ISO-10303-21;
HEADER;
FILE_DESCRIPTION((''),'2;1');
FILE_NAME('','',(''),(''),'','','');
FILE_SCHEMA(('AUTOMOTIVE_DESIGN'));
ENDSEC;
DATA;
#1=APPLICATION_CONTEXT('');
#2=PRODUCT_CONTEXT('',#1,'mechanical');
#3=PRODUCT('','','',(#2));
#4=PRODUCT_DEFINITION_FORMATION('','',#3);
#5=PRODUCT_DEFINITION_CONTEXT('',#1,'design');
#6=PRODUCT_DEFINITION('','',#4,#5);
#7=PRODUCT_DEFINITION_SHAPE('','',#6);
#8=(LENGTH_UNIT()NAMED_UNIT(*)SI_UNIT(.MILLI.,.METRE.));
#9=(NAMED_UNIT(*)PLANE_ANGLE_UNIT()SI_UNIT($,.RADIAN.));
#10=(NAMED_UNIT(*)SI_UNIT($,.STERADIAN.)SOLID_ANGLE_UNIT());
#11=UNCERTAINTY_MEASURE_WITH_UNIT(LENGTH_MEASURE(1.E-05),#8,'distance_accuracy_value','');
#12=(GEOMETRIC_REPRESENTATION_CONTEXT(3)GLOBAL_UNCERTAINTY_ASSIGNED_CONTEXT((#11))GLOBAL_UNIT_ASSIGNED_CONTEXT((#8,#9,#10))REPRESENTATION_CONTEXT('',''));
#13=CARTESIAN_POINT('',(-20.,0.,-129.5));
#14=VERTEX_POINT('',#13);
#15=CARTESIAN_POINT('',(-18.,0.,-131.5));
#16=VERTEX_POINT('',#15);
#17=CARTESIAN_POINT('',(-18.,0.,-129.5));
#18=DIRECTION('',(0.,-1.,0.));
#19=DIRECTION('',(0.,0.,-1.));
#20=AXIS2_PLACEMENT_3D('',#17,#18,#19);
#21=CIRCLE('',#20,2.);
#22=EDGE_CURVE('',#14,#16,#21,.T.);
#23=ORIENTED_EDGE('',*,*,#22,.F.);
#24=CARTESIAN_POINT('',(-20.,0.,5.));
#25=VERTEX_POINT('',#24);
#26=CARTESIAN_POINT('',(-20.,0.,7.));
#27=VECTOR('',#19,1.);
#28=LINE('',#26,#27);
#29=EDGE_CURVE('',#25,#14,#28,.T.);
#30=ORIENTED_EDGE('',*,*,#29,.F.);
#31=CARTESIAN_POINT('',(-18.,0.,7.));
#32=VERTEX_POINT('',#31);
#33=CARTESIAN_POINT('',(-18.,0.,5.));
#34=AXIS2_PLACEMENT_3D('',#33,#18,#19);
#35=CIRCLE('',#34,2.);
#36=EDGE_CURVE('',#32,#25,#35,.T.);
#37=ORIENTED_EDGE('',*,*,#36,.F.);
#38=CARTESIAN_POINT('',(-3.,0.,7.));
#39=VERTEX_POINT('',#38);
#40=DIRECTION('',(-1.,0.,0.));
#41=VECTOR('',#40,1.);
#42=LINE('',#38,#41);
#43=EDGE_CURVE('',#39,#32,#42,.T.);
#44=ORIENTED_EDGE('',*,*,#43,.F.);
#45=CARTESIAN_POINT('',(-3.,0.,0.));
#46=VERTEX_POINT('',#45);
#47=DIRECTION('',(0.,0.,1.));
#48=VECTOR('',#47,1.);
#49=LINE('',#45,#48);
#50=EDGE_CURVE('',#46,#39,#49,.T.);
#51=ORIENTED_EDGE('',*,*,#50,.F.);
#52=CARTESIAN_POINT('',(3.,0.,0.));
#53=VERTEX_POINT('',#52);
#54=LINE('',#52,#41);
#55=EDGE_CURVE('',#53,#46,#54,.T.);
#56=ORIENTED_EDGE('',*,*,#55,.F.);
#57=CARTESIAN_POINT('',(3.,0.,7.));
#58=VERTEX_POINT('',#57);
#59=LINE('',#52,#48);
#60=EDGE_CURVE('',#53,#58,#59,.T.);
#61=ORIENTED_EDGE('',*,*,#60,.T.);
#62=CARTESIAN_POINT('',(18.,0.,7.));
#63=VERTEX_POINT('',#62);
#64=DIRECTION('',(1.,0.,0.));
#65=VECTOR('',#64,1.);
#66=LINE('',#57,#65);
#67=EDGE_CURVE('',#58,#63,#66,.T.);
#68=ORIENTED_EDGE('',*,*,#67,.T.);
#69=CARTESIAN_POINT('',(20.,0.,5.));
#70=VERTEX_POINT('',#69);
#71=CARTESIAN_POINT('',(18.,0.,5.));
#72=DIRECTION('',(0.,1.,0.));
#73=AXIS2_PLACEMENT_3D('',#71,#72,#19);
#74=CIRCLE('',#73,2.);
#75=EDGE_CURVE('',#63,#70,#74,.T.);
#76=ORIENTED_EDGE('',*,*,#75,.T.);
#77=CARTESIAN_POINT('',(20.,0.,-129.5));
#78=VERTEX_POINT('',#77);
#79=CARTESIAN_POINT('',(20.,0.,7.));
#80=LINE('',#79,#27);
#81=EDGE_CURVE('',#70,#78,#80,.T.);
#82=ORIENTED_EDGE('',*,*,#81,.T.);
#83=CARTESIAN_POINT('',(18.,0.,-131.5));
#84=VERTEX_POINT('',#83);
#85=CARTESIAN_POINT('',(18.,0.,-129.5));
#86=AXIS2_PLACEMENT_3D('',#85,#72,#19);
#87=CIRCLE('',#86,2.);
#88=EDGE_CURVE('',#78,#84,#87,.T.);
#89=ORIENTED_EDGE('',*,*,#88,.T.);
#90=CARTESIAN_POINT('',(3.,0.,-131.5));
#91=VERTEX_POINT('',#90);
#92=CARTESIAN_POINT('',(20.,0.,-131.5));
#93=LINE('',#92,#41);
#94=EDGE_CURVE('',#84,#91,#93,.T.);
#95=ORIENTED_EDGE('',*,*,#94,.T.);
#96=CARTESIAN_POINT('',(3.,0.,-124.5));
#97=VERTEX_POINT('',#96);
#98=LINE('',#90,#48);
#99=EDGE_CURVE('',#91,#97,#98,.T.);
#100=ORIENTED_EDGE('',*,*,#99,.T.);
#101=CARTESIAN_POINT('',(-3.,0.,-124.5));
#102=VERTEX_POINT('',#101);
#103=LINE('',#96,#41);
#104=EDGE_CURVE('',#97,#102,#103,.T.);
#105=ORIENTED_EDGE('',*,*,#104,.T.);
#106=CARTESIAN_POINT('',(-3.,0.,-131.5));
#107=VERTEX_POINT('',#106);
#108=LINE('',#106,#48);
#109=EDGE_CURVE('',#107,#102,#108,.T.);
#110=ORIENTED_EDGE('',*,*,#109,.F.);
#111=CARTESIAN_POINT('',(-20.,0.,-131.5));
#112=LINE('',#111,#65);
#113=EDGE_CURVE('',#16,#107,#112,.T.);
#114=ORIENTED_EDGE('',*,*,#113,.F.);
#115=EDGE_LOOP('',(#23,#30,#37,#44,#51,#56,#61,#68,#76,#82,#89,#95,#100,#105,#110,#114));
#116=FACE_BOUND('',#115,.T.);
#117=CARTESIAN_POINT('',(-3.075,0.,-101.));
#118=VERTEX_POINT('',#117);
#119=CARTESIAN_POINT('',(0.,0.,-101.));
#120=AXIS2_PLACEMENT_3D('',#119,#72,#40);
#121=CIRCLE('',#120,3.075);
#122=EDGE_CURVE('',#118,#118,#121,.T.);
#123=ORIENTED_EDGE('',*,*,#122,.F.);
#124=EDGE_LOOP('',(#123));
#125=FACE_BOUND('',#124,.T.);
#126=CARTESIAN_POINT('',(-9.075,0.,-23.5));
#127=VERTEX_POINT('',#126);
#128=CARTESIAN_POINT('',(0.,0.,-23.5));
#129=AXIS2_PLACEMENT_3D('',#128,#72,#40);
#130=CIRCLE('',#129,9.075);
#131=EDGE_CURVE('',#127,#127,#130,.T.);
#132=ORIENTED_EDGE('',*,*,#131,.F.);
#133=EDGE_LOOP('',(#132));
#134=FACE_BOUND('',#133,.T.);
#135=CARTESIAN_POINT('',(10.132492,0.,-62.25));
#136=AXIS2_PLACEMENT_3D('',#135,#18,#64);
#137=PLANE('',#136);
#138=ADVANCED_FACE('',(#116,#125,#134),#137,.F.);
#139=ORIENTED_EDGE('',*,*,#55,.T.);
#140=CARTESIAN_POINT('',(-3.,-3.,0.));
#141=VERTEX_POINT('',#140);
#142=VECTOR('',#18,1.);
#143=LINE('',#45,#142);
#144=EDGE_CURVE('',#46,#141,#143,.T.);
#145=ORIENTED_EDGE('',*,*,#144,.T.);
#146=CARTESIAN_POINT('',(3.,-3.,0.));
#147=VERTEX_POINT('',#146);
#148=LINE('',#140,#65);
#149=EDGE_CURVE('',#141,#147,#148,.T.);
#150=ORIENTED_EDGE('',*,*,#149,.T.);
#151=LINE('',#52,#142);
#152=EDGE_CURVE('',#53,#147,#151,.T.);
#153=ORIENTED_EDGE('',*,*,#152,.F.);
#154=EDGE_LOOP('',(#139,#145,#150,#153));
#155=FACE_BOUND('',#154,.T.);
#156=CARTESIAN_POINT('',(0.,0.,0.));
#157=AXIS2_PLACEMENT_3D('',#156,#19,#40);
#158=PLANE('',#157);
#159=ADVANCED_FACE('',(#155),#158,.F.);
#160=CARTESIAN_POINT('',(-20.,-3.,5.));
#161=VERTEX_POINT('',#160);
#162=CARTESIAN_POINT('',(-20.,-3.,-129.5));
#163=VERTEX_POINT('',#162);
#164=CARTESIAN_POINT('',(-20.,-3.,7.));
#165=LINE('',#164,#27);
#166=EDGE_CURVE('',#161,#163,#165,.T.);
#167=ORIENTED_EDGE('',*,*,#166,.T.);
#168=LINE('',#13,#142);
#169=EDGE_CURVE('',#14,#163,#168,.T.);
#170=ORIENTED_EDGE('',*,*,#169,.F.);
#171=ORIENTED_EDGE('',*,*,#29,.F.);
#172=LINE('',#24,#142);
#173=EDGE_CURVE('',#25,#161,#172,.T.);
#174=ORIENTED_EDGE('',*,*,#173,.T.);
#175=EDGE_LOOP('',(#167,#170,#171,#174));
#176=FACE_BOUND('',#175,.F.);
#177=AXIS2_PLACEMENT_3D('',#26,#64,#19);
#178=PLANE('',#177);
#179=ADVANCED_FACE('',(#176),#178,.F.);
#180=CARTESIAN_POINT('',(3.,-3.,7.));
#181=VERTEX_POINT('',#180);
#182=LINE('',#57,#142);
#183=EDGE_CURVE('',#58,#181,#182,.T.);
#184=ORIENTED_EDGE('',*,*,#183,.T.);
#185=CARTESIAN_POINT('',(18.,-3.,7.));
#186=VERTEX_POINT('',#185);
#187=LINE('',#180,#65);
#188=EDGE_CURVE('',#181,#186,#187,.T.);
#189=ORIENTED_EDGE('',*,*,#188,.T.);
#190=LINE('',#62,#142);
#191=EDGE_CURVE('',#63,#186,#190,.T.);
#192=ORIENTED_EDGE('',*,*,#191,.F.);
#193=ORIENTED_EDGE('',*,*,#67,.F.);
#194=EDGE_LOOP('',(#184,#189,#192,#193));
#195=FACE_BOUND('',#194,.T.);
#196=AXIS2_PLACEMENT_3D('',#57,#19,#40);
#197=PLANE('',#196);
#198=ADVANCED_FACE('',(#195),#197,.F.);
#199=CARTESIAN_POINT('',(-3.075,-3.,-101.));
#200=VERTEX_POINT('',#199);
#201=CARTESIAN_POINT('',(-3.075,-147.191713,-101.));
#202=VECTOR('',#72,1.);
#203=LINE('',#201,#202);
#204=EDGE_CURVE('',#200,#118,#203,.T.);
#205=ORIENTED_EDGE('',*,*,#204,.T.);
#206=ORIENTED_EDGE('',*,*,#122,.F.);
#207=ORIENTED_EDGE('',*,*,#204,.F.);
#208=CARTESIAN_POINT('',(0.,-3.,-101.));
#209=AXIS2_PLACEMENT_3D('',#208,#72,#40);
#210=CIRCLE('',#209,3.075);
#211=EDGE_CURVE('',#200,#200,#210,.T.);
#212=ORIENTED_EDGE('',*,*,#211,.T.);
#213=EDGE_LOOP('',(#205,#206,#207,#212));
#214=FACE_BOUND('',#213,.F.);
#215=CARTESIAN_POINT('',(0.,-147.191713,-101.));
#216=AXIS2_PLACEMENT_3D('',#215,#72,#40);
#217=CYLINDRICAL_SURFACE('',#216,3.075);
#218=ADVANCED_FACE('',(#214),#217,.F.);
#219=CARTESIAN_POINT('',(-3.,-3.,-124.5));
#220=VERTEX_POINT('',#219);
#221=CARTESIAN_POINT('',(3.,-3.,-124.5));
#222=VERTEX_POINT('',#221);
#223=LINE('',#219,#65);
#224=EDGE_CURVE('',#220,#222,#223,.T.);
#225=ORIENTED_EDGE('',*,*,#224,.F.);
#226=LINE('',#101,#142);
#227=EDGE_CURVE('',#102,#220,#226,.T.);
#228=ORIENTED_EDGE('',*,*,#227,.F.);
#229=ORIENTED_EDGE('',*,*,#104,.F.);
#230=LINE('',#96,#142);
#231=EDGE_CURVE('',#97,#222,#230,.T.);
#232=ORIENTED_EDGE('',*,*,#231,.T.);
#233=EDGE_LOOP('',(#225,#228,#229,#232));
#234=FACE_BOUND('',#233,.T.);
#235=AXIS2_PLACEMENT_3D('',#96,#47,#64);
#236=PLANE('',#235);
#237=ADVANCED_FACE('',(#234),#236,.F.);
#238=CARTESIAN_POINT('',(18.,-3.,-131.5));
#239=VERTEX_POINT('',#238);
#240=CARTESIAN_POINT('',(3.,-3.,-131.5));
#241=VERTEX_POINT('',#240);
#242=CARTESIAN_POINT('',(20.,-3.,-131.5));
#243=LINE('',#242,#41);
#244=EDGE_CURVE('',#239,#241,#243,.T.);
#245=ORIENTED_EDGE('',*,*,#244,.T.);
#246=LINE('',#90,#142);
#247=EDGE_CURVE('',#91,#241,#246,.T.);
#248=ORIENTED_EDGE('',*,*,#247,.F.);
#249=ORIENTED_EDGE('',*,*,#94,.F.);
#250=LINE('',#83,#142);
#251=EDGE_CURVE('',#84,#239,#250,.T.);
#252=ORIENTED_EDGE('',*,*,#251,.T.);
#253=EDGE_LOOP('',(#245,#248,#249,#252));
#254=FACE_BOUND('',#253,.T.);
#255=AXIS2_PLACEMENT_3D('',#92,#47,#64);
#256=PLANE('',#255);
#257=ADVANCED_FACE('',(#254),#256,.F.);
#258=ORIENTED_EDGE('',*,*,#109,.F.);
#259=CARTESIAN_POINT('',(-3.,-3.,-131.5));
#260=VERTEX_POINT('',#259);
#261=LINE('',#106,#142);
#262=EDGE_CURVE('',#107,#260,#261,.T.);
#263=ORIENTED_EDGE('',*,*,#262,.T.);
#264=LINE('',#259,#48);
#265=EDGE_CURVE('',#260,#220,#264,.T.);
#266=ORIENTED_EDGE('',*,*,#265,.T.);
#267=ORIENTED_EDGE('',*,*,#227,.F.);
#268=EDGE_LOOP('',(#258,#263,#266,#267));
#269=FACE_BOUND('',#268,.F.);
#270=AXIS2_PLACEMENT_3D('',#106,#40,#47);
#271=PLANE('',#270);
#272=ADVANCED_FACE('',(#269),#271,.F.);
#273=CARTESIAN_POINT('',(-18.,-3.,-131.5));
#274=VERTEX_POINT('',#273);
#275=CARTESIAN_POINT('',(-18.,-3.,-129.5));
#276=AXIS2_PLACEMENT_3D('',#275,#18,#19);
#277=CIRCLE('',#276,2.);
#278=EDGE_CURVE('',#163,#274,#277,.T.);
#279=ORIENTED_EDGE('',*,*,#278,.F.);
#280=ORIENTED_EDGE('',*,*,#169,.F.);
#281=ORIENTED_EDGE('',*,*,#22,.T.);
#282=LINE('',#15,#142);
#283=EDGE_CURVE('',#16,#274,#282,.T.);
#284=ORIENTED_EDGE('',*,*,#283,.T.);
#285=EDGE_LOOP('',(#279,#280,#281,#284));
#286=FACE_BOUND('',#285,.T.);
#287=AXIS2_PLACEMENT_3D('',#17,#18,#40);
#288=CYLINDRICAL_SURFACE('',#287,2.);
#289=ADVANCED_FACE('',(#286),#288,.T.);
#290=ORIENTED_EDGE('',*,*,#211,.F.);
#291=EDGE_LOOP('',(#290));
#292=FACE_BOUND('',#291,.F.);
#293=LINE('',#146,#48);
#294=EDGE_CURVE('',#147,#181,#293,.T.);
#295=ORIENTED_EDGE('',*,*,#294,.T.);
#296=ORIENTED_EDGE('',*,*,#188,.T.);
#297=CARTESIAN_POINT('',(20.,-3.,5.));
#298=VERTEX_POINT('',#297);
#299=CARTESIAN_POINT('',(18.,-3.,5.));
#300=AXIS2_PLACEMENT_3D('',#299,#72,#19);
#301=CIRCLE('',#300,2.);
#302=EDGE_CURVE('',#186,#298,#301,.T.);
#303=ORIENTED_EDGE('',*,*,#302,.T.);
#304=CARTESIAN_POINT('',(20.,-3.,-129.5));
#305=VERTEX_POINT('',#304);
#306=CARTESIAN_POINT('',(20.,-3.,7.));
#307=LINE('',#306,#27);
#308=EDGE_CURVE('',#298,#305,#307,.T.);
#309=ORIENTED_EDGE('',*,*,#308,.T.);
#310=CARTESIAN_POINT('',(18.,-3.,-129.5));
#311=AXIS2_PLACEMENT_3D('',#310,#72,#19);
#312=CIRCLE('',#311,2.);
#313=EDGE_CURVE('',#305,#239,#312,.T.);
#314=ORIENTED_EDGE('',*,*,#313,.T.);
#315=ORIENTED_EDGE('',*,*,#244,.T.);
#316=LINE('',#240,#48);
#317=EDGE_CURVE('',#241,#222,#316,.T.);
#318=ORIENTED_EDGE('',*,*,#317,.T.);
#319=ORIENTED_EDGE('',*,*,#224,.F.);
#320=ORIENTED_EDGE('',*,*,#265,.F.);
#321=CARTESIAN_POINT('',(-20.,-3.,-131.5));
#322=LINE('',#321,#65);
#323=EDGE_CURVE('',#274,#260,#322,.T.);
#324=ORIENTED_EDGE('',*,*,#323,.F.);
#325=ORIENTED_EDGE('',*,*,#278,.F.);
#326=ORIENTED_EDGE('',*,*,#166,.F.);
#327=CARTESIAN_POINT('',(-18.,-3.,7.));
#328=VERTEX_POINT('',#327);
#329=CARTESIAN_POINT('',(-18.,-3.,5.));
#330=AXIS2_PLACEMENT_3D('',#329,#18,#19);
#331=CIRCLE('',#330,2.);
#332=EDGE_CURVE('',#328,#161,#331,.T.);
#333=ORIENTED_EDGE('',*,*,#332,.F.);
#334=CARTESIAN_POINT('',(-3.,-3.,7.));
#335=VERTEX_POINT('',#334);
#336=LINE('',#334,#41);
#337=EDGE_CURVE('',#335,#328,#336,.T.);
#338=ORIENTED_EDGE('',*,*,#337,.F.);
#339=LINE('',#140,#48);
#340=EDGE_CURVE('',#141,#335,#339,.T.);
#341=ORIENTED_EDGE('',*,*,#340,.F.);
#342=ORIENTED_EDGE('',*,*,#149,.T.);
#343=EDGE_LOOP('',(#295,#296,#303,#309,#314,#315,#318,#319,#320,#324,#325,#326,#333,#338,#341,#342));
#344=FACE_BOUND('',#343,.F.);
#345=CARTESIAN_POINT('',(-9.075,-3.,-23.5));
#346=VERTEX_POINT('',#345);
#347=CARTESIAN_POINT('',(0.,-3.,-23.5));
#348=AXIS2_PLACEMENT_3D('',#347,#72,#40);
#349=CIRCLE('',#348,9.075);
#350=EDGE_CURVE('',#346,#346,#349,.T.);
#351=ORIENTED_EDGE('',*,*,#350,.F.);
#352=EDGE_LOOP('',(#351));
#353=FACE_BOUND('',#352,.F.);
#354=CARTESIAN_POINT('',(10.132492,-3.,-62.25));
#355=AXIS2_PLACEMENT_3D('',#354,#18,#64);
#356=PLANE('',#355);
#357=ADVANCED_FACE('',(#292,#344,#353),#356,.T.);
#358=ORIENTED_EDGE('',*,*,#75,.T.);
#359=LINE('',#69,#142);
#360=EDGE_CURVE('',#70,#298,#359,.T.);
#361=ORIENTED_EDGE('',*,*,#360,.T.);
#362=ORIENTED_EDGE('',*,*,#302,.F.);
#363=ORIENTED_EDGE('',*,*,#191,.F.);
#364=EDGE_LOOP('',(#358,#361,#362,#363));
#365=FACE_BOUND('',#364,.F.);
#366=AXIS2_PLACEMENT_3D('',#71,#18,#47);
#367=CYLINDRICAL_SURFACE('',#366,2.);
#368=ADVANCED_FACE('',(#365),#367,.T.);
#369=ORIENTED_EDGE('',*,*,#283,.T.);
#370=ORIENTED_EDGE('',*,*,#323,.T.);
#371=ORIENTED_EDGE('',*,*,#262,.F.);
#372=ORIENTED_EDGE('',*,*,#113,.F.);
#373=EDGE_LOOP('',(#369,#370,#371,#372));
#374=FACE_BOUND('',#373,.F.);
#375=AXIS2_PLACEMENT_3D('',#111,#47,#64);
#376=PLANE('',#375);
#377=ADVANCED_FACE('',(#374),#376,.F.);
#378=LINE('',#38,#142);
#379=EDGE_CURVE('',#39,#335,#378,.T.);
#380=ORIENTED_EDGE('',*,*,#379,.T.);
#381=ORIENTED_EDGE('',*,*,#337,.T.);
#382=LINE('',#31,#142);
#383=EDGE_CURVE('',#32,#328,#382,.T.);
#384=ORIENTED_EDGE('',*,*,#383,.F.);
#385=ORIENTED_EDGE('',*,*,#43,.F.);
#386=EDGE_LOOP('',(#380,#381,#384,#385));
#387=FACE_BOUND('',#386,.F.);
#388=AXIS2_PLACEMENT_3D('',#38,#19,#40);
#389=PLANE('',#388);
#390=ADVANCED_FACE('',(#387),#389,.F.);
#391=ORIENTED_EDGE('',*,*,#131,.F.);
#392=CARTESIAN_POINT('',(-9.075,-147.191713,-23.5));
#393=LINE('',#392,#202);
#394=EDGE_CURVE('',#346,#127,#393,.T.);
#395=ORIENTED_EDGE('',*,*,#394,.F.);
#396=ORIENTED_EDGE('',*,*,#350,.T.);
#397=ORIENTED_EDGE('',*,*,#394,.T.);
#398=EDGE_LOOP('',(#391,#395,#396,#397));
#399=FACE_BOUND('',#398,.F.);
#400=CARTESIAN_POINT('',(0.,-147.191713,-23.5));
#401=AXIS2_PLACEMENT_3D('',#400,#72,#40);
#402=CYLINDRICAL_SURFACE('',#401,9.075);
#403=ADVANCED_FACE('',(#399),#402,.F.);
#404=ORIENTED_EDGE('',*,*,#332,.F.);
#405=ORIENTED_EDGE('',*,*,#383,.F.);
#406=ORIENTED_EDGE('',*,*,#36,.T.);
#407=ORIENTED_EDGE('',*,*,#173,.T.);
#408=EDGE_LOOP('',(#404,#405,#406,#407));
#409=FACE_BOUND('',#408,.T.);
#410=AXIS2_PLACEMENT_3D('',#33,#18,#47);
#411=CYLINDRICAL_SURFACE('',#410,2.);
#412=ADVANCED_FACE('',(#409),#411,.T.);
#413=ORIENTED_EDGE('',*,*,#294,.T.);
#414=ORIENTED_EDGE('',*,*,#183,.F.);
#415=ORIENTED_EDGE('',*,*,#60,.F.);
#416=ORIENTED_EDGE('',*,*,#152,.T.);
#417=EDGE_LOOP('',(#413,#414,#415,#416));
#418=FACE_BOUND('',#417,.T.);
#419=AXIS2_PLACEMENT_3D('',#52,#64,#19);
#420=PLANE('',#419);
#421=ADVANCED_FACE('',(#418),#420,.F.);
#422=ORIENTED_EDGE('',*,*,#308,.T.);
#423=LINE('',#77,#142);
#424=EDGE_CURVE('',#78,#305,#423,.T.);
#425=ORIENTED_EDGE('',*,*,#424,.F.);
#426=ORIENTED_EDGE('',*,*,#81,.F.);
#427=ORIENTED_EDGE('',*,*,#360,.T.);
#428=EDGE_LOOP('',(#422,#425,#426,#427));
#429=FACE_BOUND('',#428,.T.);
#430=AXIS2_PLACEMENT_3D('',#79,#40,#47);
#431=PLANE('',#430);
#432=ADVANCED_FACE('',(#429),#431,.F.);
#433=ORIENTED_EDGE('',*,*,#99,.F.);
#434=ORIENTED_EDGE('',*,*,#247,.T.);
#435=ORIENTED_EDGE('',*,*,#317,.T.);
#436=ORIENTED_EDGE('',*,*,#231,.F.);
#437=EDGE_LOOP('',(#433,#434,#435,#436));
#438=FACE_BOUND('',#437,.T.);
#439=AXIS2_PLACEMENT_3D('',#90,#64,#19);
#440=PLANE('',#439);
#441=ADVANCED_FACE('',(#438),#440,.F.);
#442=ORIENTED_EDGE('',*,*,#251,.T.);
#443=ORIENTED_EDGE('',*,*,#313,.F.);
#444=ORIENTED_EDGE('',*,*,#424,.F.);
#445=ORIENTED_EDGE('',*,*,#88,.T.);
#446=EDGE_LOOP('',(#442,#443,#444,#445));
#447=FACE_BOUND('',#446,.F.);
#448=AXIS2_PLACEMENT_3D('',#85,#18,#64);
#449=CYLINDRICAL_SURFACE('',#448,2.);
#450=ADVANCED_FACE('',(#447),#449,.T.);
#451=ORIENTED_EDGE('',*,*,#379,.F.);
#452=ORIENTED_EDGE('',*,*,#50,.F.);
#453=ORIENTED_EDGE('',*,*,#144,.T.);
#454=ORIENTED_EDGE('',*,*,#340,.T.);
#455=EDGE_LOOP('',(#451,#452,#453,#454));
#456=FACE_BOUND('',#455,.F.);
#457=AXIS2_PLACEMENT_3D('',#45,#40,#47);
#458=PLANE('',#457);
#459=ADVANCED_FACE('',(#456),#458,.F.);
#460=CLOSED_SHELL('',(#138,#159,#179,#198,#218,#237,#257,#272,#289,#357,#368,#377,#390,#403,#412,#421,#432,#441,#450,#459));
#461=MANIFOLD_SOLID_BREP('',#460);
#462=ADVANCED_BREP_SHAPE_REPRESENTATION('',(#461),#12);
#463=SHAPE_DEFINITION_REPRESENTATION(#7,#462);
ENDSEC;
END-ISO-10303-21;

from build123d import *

# Parameters (mm, degrees)
F1_DEPTH = 3
F4_D     = 18.15
F6_D     = 6.15
F7_R     = 2


with BuildPart() as f1:
    # F0 (on Front) → F1 (new body)
    with BuildSketch(Plane.XZ):
        Polygon((0, -124.5), (0, 0), (-3, 0), (-3, 7), (-20, 7), (-20, -131.5), (-3, -131.5), (-3, -124.5), align=None)
    extrude(amount=F1_DEPTH)

    # F2: F1 across plane


with BuildPart() as f1_1:
    add(f1.part)
    add(f1.part.mirror(Plane.YZ))

    # F4 (through all)
    with Locations(Plane.XZ.offset(3)):
        with Locations((0, -23.5)):
            Hole(F4_D / 2)

    # F6 (through all)
    with Locations(Plane.XZ.offset(3)):
        with Locations((0, -101)):
            Hole(F6_D / 2)

    # F7
    f7_edges = [f1_1.edges().sort_by_distance(p)[0] for p in [
        (20, -1.5, -131.5),
        (-20, -1.5, -131.5),
        (-20, -1.5, 7),
        (20, -1.5, 7),
    ]]
    fillet(f7_edges, radius=F7_R)


solid = f1_1.part
